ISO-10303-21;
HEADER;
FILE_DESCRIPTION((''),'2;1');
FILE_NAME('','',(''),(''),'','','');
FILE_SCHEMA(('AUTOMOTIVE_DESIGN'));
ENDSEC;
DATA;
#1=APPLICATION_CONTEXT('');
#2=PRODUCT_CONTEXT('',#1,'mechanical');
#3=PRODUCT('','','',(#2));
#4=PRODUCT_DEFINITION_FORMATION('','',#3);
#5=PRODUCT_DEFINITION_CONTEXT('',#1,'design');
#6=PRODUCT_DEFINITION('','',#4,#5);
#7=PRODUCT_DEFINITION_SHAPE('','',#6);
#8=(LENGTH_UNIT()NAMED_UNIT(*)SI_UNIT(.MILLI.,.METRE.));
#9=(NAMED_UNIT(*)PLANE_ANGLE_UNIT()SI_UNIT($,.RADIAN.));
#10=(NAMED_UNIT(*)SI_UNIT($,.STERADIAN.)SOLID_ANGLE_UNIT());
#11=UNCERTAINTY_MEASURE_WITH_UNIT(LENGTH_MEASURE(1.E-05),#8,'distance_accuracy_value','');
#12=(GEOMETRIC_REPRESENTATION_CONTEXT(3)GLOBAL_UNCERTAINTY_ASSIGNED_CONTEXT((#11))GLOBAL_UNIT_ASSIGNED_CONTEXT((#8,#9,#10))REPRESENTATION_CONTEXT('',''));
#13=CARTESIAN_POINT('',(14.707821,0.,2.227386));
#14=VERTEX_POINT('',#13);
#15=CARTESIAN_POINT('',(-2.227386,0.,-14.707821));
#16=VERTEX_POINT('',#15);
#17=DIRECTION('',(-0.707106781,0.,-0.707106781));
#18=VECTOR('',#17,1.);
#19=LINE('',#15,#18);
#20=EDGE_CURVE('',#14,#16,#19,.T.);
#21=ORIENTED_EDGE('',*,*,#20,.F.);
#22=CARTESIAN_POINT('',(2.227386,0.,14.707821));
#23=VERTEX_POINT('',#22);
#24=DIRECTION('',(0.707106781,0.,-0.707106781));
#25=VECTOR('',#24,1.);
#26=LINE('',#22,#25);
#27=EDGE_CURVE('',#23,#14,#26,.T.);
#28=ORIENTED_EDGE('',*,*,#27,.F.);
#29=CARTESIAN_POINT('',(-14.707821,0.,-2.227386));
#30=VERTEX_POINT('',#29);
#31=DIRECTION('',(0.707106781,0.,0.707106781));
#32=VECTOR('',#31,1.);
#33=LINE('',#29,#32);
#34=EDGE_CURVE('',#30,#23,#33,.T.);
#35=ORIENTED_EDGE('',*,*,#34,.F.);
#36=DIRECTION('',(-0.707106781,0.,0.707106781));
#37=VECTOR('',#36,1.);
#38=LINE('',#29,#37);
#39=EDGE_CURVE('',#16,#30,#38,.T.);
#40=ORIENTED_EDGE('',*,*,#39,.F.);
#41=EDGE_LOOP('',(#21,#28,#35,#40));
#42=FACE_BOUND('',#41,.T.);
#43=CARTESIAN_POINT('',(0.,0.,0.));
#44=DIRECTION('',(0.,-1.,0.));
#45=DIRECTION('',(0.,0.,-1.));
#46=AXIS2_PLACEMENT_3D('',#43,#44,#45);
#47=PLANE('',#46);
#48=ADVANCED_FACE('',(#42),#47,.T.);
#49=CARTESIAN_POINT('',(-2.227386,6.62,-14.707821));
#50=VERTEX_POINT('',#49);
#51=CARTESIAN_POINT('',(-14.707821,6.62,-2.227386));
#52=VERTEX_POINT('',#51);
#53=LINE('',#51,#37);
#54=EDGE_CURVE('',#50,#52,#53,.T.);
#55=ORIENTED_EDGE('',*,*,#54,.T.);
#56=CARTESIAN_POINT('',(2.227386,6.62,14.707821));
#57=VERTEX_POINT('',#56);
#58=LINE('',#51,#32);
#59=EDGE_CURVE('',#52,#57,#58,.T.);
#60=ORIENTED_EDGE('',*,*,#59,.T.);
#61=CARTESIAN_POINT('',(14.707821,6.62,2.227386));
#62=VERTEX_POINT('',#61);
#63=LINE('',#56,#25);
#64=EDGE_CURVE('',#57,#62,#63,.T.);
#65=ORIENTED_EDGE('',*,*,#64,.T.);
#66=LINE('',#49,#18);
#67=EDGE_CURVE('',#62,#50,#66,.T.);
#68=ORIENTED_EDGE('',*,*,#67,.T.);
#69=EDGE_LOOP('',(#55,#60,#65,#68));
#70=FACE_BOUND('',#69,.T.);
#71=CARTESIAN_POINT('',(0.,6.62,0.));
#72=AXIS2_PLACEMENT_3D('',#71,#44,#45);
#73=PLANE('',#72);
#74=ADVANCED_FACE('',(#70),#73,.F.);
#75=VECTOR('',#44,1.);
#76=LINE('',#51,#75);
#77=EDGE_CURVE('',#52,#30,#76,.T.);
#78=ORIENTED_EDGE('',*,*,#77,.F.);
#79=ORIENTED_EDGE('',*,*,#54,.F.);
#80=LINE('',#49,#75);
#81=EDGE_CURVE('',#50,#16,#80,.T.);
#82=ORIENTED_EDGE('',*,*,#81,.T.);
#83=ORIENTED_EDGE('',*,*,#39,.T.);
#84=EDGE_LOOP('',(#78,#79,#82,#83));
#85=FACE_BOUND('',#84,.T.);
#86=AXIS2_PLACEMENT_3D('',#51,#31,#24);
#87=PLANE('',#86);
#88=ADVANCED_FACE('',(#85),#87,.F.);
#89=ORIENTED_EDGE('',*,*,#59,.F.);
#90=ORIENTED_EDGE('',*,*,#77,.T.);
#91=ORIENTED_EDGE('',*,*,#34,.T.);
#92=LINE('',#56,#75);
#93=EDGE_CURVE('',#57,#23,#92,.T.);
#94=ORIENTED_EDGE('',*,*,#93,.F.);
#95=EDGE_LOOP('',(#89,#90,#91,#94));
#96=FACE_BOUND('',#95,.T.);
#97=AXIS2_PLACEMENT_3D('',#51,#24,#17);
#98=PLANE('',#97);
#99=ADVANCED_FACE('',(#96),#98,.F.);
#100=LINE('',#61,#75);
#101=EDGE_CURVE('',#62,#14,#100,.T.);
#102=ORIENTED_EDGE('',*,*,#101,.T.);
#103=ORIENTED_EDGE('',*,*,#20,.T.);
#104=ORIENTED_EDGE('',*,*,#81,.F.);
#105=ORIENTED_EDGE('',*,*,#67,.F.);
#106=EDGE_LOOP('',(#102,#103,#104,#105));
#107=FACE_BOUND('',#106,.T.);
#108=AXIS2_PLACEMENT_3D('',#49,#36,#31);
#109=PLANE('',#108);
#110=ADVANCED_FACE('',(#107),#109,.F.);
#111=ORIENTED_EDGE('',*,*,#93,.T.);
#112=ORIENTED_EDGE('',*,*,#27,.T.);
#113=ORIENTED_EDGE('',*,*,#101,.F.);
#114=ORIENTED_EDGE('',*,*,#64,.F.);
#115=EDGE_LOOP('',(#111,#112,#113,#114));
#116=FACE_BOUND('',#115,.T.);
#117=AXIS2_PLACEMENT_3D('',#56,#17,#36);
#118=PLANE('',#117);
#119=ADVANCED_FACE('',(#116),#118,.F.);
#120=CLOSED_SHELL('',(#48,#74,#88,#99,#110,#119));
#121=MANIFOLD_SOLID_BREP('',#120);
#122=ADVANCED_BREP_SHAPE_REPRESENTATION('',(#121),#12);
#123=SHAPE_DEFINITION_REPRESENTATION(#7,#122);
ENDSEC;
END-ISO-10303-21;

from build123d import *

# Parameters (mm, degrees)
BOSS_EXTRUDE1_DEPTH = 6.62


with BuildPart() as part:
    # Sketch1 → Boss-Extrude1 (new body)
    with BuildSketch(Plane(origin=(0, 0, 0), x_dir=(1, 0, 0), z_dir=(0, 1, 0))):
        Polygon((-2.227386361, 14.707821049), (14.707821049, -2.227386361), (2.227386361, -14.707821049), (-14.707821049, 2.227386361), align=None)
    extrude(amount=BOSS_EXTRUDE1_DEPTH)


solid = part.part
